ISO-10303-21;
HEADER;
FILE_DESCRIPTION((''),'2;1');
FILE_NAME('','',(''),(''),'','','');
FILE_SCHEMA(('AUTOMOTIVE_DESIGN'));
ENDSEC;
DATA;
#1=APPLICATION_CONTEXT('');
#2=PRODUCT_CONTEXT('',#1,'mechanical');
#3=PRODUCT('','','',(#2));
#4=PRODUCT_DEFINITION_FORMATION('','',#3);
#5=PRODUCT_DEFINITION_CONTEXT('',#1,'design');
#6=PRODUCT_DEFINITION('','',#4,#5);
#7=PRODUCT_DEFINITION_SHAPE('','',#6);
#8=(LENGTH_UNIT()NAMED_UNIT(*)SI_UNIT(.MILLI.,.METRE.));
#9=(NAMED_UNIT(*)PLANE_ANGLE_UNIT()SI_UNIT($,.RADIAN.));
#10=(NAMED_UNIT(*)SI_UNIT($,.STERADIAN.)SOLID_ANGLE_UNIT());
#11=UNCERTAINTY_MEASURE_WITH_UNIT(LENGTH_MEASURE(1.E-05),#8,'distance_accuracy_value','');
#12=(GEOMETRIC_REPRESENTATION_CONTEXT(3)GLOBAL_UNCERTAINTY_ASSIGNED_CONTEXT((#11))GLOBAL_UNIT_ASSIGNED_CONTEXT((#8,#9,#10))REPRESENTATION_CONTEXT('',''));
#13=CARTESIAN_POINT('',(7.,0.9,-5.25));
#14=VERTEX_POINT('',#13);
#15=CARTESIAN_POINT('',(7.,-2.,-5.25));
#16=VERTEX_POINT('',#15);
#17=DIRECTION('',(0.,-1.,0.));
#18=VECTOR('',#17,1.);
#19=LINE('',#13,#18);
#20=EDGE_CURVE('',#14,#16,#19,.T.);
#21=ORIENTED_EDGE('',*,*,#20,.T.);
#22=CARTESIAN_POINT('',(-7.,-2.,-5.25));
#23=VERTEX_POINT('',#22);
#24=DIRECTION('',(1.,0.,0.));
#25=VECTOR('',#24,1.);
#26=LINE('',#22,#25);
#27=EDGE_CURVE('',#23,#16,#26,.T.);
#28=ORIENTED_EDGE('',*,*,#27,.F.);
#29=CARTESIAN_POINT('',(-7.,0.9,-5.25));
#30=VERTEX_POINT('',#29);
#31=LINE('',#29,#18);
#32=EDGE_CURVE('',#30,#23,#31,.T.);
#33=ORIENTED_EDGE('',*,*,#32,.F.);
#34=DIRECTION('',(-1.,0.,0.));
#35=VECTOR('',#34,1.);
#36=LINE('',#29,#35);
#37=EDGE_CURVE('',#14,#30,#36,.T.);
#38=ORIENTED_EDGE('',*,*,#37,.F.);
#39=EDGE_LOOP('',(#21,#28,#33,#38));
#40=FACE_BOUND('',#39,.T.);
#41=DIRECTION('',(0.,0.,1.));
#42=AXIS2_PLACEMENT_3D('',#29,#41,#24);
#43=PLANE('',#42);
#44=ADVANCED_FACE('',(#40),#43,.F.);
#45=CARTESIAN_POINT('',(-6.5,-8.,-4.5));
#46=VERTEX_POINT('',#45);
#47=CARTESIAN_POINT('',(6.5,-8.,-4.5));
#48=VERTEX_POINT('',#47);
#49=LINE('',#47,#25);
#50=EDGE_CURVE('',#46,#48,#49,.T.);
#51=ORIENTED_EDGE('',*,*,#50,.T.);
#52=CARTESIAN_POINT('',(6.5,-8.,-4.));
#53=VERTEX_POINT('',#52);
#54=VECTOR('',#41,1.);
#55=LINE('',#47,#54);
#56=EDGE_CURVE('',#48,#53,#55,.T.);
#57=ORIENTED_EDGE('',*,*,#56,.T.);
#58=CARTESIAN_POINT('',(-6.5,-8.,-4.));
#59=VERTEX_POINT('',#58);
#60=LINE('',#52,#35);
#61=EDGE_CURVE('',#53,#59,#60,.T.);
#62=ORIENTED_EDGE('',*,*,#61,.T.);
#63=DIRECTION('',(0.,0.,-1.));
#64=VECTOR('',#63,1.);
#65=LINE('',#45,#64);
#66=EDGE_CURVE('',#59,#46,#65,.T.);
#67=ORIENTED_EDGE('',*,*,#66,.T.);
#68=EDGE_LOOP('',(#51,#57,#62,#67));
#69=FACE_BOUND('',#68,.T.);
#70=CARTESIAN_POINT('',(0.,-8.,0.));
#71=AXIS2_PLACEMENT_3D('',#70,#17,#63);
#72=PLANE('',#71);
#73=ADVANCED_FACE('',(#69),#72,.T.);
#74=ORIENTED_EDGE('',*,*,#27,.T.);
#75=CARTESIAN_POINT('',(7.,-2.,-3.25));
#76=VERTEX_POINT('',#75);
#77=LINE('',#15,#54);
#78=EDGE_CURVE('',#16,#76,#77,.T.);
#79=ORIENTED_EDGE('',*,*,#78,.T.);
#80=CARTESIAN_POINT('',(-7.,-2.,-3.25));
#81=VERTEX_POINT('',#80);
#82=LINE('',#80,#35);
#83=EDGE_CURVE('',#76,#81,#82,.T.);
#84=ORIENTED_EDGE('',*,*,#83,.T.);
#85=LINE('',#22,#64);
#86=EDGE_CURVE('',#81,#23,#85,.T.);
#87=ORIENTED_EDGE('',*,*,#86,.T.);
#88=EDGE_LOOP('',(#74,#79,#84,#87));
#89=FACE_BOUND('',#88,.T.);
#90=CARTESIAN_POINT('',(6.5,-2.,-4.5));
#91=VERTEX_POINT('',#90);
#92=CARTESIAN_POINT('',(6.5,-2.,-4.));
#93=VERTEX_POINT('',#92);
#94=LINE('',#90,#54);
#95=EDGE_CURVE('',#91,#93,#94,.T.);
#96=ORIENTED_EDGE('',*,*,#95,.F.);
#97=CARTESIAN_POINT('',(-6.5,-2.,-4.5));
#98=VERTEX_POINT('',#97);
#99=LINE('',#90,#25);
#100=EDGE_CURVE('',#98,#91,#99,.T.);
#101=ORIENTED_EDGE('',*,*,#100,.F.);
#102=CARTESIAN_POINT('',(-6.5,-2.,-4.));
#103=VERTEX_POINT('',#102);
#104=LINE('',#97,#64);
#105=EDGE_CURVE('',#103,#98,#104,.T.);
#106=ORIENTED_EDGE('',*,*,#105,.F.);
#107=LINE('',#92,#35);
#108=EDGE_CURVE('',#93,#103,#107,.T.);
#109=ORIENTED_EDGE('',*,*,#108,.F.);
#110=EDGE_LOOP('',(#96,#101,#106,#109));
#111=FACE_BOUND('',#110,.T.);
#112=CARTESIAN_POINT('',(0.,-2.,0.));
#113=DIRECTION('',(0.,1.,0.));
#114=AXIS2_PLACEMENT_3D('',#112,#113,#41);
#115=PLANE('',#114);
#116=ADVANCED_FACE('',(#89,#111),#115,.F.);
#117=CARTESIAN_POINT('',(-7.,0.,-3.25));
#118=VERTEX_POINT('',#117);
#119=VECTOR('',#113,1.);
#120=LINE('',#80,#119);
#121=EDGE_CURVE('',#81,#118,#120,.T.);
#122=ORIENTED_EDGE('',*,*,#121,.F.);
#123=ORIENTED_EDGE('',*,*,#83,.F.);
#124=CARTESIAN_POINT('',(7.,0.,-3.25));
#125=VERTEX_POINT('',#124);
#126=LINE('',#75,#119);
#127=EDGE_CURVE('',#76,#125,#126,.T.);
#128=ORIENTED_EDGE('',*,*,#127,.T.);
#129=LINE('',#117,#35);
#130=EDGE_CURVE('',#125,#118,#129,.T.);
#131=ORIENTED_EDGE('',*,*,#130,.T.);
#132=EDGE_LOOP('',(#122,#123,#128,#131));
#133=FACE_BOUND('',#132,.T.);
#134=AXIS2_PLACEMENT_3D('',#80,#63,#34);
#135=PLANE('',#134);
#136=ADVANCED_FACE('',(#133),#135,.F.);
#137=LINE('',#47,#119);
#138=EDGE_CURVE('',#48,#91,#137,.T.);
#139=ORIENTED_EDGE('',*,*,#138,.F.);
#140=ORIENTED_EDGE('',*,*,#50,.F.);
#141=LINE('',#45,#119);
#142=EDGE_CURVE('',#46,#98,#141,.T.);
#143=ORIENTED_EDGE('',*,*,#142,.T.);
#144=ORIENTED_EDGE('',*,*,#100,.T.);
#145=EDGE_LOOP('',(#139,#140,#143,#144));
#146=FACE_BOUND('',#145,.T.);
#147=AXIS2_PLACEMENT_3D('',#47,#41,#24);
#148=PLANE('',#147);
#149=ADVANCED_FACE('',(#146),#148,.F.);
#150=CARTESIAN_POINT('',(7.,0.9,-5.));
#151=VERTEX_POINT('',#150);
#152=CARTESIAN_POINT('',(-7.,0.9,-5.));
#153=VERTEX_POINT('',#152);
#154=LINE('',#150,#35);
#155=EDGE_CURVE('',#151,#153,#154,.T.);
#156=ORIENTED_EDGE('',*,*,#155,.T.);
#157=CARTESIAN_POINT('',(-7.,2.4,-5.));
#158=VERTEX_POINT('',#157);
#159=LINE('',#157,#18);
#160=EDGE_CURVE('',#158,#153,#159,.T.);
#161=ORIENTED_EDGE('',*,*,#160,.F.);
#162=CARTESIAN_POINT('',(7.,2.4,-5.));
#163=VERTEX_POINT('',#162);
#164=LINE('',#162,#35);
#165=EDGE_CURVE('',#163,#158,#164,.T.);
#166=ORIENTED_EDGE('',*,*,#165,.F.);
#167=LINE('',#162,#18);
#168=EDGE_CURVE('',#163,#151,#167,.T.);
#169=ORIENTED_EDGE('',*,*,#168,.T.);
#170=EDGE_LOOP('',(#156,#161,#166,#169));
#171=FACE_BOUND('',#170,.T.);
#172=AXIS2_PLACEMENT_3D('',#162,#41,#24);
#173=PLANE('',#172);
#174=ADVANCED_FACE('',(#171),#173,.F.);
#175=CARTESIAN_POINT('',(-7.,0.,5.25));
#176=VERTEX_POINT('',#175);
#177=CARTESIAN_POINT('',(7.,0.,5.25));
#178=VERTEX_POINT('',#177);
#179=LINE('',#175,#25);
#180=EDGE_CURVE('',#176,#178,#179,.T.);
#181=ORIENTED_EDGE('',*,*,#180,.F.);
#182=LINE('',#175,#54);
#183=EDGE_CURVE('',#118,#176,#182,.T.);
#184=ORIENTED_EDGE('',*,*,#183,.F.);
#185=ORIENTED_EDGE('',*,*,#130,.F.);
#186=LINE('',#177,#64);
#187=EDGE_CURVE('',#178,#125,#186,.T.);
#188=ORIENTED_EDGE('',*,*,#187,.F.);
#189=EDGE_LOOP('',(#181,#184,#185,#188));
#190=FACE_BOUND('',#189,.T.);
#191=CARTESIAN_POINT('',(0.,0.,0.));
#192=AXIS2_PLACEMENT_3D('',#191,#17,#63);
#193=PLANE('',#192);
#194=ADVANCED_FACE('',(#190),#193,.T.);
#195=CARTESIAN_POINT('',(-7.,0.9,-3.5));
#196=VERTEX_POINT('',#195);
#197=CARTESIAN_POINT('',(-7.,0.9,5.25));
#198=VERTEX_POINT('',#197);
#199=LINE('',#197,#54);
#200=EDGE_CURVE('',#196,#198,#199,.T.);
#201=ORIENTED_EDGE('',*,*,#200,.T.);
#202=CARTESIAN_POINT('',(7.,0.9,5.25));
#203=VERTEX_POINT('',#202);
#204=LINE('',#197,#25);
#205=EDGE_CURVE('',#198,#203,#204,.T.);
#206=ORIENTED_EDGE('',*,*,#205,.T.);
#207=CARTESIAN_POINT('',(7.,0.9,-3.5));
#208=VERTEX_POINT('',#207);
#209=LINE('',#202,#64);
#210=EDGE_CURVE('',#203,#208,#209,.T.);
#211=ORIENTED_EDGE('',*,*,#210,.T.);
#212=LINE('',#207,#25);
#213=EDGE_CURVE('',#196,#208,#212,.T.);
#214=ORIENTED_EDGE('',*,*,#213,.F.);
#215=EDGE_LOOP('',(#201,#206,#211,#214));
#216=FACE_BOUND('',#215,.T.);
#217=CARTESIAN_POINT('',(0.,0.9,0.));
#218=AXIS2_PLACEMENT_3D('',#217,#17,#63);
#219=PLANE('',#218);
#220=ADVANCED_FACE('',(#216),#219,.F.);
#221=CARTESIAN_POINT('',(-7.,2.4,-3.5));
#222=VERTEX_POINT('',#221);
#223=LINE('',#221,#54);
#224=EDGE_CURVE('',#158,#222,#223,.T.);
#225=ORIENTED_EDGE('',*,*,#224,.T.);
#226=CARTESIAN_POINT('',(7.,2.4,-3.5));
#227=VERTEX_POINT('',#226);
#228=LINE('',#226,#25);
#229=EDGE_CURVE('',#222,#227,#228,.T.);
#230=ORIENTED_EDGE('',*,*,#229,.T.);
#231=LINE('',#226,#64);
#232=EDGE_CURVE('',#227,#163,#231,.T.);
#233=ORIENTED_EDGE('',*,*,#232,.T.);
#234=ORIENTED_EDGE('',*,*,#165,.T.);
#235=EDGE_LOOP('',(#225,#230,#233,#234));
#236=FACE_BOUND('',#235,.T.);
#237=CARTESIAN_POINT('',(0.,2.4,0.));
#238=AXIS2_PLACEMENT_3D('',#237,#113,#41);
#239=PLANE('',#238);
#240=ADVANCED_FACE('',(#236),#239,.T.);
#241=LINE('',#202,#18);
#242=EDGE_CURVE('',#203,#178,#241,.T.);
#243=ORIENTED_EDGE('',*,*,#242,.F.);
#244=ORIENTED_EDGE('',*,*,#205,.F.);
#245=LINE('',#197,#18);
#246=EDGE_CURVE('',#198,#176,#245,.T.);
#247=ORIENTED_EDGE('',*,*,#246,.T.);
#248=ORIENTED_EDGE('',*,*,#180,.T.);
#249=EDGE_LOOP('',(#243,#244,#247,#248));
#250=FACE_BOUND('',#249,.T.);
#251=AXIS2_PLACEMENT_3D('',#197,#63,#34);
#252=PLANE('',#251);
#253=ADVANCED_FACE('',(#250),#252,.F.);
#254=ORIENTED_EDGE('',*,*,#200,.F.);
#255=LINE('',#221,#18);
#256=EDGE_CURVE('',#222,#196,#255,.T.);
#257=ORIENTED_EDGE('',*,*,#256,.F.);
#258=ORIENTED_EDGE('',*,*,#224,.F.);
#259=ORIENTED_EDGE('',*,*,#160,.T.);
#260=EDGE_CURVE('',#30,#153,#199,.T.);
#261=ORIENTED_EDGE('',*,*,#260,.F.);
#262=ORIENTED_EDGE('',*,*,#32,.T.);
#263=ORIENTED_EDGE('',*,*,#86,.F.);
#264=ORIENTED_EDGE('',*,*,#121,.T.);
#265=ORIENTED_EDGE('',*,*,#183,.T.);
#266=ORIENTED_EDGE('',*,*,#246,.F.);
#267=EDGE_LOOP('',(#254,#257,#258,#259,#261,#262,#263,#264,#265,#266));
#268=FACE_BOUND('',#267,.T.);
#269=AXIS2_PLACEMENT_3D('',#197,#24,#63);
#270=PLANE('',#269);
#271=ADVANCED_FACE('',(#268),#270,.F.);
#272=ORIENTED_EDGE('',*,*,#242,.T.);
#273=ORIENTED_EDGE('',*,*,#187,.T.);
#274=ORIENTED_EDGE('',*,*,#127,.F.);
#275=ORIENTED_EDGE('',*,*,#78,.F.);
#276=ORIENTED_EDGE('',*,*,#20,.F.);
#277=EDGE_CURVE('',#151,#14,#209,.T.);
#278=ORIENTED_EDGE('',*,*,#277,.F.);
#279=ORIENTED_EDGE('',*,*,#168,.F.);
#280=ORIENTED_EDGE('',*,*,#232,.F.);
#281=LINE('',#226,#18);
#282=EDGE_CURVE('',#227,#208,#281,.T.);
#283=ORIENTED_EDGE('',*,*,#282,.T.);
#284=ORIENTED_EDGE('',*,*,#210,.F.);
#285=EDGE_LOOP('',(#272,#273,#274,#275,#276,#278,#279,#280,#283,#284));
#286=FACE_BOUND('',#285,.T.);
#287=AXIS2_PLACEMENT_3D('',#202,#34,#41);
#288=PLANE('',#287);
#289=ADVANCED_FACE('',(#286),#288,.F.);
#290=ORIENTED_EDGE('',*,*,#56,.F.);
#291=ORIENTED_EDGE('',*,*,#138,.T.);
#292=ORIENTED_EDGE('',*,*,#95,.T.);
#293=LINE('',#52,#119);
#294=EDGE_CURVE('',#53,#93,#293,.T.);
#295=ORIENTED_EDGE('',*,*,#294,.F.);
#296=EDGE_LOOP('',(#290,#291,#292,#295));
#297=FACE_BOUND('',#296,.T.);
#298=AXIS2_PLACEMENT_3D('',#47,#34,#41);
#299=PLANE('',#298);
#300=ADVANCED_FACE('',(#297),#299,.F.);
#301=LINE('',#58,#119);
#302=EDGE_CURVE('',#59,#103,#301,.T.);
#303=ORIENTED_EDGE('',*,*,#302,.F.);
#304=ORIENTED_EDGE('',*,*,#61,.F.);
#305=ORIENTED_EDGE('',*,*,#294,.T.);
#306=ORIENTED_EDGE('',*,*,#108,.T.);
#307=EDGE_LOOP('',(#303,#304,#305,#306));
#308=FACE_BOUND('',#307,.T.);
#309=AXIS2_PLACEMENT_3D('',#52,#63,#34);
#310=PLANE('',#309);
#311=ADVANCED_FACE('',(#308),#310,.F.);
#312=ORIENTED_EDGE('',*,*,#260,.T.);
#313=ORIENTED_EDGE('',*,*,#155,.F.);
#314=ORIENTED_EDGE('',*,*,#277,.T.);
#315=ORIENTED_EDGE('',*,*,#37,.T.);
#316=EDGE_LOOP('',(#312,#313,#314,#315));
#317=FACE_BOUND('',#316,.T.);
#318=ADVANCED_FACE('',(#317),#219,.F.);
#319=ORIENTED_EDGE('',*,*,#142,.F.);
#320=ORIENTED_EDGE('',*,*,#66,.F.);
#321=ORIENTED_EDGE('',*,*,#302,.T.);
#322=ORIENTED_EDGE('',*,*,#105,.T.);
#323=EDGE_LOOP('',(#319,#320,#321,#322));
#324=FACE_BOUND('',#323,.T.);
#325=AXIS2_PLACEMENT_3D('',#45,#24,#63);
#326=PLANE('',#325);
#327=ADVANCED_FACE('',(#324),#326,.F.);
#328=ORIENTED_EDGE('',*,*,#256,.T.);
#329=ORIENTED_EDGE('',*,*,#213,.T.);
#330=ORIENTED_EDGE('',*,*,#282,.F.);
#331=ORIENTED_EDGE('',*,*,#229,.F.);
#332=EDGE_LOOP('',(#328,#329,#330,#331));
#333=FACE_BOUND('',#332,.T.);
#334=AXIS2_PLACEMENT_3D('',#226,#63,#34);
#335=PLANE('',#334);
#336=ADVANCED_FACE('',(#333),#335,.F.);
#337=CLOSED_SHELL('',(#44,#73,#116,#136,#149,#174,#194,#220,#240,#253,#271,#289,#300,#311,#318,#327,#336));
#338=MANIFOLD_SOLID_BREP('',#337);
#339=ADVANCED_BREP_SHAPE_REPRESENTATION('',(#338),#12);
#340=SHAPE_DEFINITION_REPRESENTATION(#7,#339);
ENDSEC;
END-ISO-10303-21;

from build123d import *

# Parameters (mm, degrees)
SKETCH_1_W      = 14
SKETCH_1_H      = 10.5
EXTRUDE_1_DEPTH = 0.9
SKETCH_3_W      = 14
SKETCH_3_H      = 2
EXTRUDE_2_DEPTH = 2
SKETCH_4_W      = 13
SKETCH_4_H      = 0.5
EXTRUDE_3_DEPTH = 6
SKETCH_8_W      = 14
SKETCH_8_H      = 1.5
EXTRUDE_4_DEPTH = 1.5


with BuildPart() as part:
    # Эскиз1 → Бобышка-Вытянуть1 (new body)
    with BuildSketch(Plane(origin=(0, 0, 0), x_dir=(1, 0, 0), z_dir=(0, 1, 0))):
        Rectangle(SKETCH_1_W, SKETCH_1_H)
    extrude(amount=EXTRUDE_1_DEPTH)

    # Эскиз3 → Бобышка-Вытянуть2 (add)
    with BuildSketch(Plane.XZ):
        with Locations((0, -4.25)):
            Rectangle(SKETCH_3_W, SKETCH_3_H)
    extrude(amount=EXTRUDE_2_DEPTH)

    # Эскиз4 → Бобышка-Вытянуть3 (add)
    with BuildSketch(Plane.XZ.offset(2)):
        with Locations((0, -4.25)):
            Rectangle(SKETCH_4_W, SKETCH_4_H)
    extrude(amount=EXTRUDE_3_DEPTH)

    # Эскиз8 → Бобышка-Вытянуть4 (add)
    with BuildSketch(Plane(origin=(0, 0.9, 0), x_dir=(1, 0, 0), z_dir=(0, 1, 0))):
        with Locations((0, 4.25)):
            Rectangle(SKETCH_8_W, SKETCH_8_H)
    extrude(amount=EXTRUDE_4_DEPTH)


solid = part.part
